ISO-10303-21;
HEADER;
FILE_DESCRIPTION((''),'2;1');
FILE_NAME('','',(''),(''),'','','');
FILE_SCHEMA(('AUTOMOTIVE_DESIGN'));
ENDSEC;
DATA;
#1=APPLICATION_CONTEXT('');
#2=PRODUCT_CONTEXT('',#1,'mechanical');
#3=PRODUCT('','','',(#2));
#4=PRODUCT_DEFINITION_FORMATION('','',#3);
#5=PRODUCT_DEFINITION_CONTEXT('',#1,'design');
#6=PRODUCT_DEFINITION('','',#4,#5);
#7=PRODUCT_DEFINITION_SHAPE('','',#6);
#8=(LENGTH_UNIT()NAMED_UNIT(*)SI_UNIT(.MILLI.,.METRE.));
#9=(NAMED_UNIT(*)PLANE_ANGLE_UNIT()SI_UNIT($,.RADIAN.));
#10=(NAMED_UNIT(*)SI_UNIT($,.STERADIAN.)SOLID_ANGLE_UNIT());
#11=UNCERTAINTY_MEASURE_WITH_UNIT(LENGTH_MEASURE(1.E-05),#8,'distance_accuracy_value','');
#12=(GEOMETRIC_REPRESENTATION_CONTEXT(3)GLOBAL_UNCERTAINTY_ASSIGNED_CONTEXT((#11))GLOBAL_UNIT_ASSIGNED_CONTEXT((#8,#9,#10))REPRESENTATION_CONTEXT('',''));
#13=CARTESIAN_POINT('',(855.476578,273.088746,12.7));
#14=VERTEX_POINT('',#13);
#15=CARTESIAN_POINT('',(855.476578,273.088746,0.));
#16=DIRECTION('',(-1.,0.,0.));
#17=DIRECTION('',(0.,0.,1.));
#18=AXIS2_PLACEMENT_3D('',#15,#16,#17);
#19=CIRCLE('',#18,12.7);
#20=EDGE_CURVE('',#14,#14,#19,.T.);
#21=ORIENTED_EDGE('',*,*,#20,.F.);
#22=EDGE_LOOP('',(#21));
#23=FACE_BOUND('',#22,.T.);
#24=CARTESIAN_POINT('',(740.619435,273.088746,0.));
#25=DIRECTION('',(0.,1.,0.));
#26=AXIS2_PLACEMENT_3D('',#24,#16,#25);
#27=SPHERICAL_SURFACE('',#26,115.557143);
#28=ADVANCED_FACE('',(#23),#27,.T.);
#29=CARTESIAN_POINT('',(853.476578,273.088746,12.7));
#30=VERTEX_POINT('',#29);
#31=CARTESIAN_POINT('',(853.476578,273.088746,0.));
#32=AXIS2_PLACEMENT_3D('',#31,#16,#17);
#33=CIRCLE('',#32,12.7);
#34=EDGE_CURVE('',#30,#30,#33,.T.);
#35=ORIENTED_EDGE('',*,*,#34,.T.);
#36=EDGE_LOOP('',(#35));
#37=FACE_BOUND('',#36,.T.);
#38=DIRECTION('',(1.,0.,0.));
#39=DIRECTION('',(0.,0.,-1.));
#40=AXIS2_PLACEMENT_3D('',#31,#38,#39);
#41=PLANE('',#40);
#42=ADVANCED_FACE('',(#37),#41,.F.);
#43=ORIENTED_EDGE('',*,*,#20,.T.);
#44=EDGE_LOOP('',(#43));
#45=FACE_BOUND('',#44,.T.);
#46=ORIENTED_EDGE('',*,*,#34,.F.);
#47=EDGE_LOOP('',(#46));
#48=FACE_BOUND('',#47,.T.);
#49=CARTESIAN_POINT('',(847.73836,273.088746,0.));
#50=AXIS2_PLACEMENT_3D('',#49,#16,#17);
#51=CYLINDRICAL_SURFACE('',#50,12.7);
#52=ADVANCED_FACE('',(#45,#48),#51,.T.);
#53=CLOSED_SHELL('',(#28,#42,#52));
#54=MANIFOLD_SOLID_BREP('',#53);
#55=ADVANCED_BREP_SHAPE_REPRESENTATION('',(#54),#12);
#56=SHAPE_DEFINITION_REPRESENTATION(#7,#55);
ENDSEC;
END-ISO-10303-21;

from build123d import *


with BuildPart() as part:
    # 草图1 → 旋转1 (revolve)
    with BuildSketch(Plane.XY):
        with BuildLine():
            Line((853.476577845, 273.088745717), (853.476577845, 285.788745717))
            Line((853.476577845, 285.788745717), (855.476577845, 285.788745717))
            ThreePointArc((855.476577845, 285.788745717), (856.001445134, 279.448384072), (856.176577845, 273.088745717))
            Line((856.176577845, 273.088745717), (853.476577845, 273.088745717))
        make_face()
    revolve(axis=Axis((847.738359809, 273.088745717, 0), (1, 0, 0)))


solid = part.part
